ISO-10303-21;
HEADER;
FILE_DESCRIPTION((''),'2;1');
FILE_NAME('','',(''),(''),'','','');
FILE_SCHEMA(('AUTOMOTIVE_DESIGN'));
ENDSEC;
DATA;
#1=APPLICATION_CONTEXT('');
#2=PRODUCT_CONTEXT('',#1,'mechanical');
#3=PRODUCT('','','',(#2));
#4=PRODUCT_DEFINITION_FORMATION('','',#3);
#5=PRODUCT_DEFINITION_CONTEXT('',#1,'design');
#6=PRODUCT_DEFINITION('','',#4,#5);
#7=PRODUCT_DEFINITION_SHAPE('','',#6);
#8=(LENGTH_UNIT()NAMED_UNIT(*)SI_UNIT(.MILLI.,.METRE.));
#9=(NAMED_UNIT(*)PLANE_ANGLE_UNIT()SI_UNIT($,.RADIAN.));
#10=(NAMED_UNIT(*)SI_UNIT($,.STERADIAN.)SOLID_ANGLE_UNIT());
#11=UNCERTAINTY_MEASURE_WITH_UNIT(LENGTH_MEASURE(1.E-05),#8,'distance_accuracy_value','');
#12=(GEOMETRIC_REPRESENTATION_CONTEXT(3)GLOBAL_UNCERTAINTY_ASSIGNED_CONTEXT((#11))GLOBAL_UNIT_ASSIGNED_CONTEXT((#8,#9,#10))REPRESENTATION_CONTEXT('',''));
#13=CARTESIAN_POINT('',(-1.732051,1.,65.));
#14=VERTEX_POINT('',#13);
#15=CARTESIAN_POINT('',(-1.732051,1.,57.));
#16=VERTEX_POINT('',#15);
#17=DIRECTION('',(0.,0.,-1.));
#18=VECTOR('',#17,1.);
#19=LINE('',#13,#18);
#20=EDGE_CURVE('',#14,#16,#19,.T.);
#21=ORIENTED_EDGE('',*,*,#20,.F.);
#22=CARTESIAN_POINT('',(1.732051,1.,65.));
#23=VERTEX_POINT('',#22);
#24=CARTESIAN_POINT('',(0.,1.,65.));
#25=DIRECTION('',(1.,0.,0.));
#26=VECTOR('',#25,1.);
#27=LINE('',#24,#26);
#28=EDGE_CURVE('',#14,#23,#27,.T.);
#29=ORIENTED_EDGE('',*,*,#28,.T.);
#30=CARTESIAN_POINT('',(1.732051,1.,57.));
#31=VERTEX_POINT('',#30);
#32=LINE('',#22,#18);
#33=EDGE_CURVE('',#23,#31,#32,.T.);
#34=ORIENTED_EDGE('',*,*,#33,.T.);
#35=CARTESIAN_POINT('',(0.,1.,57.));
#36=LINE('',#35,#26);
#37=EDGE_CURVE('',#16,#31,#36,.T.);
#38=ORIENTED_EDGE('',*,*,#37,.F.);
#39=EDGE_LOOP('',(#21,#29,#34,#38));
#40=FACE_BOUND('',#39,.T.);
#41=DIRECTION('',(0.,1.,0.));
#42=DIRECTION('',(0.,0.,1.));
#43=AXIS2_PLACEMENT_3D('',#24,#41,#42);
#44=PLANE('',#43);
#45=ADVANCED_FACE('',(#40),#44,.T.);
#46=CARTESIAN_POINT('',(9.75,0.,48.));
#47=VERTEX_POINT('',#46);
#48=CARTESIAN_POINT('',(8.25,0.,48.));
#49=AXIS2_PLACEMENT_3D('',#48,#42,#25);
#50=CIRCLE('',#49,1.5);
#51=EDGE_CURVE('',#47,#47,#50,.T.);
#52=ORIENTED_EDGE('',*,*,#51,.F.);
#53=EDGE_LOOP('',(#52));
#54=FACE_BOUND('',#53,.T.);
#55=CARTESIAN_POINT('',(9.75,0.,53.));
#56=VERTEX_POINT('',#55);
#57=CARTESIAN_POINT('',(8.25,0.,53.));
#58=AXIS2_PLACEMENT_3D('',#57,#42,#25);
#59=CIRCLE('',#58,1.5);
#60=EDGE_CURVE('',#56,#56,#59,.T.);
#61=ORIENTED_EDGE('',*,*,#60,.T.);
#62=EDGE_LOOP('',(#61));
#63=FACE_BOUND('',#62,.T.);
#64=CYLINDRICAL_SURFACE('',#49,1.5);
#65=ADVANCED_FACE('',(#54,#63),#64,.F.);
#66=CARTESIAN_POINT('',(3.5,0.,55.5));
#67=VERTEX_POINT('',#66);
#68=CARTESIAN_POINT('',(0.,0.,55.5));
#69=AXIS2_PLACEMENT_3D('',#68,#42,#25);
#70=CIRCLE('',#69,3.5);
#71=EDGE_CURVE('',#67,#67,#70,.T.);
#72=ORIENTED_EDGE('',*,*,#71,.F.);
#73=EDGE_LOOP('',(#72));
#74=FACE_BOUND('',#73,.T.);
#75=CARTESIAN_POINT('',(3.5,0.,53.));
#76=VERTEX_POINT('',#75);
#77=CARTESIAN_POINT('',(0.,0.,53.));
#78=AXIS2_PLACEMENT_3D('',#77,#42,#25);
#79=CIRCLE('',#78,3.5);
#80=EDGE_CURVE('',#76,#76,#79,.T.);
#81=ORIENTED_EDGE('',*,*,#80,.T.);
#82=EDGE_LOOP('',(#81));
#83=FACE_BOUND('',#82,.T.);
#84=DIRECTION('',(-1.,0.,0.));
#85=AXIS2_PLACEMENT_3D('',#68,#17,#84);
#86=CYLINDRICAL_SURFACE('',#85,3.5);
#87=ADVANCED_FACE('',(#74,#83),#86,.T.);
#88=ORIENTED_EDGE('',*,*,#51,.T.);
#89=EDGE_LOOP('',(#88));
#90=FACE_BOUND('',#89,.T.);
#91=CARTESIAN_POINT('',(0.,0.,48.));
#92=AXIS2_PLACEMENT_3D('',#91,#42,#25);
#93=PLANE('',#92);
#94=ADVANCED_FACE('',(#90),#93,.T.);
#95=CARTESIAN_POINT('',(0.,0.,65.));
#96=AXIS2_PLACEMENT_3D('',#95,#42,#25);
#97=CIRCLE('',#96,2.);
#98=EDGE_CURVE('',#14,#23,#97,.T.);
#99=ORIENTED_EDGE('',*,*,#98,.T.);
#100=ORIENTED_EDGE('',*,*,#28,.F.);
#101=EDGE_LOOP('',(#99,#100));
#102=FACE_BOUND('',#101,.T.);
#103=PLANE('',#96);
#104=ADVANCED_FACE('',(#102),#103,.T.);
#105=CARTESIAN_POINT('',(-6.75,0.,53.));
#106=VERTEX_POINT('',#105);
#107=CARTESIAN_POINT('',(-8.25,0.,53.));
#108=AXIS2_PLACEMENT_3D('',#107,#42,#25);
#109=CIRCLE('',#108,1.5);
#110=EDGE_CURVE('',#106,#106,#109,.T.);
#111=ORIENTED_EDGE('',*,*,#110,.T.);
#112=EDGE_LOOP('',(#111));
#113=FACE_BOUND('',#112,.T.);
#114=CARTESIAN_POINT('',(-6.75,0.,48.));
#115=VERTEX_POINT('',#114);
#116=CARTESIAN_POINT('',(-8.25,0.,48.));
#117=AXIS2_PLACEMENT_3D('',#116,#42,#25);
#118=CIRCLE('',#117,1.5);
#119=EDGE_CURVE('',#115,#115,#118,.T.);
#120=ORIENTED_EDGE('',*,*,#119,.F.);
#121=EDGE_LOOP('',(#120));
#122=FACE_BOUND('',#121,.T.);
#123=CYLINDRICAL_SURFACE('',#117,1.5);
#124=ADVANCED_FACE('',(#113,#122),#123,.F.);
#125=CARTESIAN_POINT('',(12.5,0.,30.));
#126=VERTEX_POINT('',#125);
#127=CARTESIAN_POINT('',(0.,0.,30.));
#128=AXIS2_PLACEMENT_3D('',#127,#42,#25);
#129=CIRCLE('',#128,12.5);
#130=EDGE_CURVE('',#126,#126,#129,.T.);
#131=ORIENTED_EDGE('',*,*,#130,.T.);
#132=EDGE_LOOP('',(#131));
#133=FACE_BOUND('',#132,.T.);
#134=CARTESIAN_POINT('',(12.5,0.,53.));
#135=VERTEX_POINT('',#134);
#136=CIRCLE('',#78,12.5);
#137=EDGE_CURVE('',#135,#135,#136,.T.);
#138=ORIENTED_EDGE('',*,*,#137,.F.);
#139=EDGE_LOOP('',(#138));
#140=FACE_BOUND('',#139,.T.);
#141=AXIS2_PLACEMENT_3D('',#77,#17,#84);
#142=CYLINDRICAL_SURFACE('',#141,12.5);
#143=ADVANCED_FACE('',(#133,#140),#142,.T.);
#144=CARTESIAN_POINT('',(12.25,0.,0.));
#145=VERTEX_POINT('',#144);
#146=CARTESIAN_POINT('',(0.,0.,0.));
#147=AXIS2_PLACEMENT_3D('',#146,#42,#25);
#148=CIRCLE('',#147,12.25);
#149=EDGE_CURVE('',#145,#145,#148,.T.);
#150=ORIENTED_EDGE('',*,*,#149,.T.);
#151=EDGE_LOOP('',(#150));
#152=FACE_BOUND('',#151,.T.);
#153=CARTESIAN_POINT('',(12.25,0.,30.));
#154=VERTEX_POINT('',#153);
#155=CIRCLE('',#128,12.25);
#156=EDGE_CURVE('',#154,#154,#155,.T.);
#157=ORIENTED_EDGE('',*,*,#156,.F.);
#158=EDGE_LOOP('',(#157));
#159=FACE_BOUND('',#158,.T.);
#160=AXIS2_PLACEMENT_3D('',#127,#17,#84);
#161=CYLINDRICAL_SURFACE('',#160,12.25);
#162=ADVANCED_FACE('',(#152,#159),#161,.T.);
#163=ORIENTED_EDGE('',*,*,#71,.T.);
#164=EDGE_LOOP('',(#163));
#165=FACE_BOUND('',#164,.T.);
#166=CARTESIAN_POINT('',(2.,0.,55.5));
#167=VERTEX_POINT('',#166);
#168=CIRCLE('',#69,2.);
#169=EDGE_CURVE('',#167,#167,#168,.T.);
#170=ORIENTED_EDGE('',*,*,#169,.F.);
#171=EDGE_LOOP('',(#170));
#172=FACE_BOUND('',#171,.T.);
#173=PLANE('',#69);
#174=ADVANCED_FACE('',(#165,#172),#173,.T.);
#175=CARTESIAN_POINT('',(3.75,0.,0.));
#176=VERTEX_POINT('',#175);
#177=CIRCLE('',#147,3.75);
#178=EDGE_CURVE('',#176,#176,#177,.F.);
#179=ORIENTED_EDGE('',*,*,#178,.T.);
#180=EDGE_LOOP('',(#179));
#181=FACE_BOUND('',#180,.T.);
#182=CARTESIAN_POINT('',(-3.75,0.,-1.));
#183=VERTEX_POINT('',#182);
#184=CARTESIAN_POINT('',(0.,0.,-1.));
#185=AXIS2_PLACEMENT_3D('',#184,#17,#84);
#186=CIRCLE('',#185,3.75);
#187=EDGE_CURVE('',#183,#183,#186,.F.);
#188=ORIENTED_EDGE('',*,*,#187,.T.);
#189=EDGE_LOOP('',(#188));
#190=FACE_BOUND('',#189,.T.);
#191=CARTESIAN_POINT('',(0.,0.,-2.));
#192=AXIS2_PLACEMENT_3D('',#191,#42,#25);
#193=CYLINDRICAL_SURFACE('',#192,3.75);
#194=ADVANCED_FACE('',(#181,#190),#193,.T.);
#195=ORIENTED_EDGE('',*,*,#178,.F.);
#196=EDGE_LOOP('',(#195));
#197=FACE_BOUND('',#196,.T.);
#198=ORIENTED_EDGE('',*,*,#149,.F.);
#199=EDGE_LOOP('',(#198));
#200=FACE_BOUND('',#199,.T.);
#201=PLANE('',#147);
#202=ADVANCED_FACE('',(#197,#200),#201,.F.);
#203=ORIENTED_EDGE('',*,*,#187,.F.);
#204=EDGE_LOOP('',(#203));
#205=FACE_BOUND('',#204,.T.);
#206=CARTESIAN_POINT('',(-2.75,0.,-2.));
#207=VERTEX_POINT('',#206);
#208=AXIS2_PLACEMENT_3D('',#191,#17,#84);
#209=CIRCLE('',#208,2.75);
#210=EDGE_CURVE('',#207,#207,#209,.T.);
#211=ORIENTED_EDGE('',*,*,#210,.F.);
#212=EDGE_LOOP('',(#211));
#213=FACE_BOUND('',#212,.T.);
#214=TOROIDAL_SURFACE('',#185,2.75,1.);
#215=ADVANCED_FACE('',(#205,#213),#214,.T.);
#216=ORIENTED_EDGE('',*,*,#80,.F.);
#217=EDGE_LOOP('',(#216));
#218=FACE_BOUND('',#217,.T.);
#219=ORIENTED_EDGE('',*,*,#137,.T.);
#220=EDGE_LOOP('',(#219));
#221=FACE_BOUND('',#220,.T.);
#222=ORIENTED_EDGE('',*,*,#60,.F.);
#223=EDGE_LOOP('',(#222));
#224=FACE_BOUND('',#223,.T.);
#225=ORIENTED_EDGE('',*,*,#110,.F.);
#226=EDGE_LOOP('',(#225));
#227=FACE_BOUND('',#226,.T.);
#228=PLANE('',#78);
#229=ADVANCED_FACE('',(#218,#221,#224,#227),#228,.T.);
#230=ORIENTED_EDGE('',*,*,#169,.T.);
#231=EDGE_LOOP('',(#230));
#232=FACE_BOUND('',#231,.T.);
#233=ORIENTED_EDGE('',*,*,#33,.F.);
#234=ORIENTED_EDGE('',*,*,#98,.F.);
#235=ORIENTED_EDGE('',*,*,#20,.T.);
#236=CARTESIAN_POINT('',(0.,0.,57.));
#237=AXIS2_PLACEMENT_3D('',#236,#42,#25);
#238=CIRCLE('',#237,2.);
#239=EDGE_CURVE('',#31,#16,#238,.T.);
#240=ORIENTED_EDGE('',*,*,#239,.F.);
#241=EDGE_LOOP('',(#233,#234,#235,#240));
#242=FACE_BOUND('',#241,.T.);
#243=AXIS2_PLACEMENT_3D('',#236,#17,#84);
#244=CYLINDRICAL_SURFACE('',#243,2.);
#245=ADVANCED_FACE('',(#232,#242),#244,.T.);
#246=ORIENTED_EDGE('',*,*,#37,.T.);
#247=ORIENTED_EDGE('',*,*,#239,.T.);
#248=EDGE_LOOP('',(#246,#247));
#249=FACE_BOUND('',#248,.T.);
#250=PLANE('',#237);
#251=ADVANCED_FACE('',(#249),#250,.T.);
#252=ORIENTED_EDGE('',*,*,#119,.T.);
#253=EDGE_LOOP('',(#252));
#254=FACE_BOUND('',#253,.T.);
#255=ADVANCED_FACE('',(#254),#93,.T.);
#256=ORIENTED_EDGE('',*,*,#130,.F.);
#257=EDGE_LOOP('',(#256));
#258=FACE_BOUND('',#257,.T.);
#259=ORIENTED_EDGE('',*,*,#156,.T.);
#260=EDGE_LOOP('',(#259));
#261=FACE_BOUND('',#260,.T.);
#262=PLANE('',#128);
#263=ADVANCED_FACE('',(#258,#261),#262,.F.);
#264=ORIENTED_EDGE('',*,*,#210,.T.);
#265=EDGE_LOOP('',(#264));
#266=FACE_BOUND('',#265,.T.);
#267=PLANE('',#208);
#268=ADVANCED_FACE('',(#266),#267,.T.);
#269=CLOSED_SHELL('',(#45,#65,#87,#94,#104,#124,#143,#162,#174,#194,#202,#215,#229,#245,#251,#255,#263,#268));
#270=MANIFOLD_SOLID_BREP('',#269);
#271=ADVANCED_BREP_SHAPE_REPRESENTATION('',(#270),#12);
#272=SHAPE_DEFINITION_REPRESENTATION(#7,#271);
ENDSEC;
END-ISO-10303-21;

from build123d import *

# Parameters (mm, degrees)
SKETCH1_R           = 12.25
BOSS_EXTRUDE1_DEPTH = 30
SKETCH2_R           = 12.5
BOSS_EXTRUDE2_DEPTH = 23
CUT_EXTRUDE1_DEPTH  = 5
SKETCH3_R           = 3.5
BOSS_EXTRUDE3_DEPTH = 2.5
SKETCH4_R           = 2
BOSS_EXTRUDE4_DEPTH = 1.5
BOSS_EXTRUDE5_DEPTH = 8
SKETCH6_R           = 3.75
BOSS_EXTRUDE6_DEPTH = 2
FILLET1_R           = 1


with BuildPart() as part:
    # Sketch1 → Boss-Extrude1 (new body)
    with BuildSketch(Plane.XY):
        Circle(SKETCH1_R)
    extrude(amount=BOSS_EXTRUDE1_DEPTH)

    # Sketch2 → Boss-Extrude2 (add)
    with BuildSketch(Plane.XY.offset(30)):
        Circle(SKETCH2_R)
    extrude(amount=BOSS_EXTRUDE2_DEPTH)

    # Sketch7 → Cut-Extrude1 (cut)
    with BuildSketch(Plane.XY.offset(53)):
        with BuildLine():
            ThreePointArc((-9.75, 0), (-8.25, -1.5), (-6.75, 0))
            Line((-6.75, 0), (-8.25, 0))
            Line((-8.25, 0), (-9.75, 0))
        make_face()
        with BuildLine():
            Line((-8.25, 0), (-6.75, 0))
            ThreePointArc((-6.75, 0), (-8.25, 1.5), (-9.75, 0))
            Line((-9.75, 0), (-8.25, 0))
        make_face()
        with BuildLine():
            ThreePointArc((6.75, 0), (8.25, -1.5), (9.75, 0))
            Line((9.75, 0), (8.25, 0))
            Line((8.25, 0), (6.75, 0))
        make_face()
        with BuildLine():
            Line((8.25, 0), (9.75, 0))
            ThreePointArc((9.75, 0), (8.25, 1.5), (6.75, 0))
            Line((6.75, 0), (8.25, 0))
        make_face()
    extrude(amount=-CUT_EXTRUDE1_DEPTH, mode=Mode.SUBTRACT)

    # Sketch3 → Boss-Extrude3 (add)
    with BuildSketch(Plane.XY.offset(53)):
        Circle(SKETCH3_R)
    extrude(amount=BOSS_EXTRUDE3_DEPTH)

    # Sketch4 → Boss-Extrude4 (add)
    with BuildSketch(Plane.XY.offset(55.5)):
        Circle(SKETCH4_R)
    extrude(amount=BOSS_EXTRUDE4_DEPTH)

    # Sketch5 → Boss-Extrude5 (add)
    with BuildSketch(Plane.XY.offset(57)):
        with BuildLine():
            Line((1.732050808, 1), (-1.732050808, 1))
            ThreePointArc((-1.732050808, 1), (-0.51763809, -1.931851653), (2, 0))
            ThreePointArc((2, 0), (1.931851653, 0.51763809), (1.732050808, 1))
        make_face()
    extrude(amount=BOSS_EXTRUDE5_DEPTH)

    # Sketch6 → Boss-Extrude6 (add)
    with BuildSketch(Plane(origin=(0, 0, 0), x_dir=(-1, 0, 0), z_dir=(0, 0, -1))):
        with Locations(Location((0, 0, 0), (0, 0, 180))):
            Circle(SKETCH6_R)
    extrude(amount=BOSS_EXTRUDE6_DEPTH)

    # Fillet1
    fillet1_edges = [part.edges().sort_by_distance(p)[0] for p in [
        (-3.75, 0, -2),
    ]]
    fillet(fillet1_edges, radius=FILLET1_R)


solid = part.part
